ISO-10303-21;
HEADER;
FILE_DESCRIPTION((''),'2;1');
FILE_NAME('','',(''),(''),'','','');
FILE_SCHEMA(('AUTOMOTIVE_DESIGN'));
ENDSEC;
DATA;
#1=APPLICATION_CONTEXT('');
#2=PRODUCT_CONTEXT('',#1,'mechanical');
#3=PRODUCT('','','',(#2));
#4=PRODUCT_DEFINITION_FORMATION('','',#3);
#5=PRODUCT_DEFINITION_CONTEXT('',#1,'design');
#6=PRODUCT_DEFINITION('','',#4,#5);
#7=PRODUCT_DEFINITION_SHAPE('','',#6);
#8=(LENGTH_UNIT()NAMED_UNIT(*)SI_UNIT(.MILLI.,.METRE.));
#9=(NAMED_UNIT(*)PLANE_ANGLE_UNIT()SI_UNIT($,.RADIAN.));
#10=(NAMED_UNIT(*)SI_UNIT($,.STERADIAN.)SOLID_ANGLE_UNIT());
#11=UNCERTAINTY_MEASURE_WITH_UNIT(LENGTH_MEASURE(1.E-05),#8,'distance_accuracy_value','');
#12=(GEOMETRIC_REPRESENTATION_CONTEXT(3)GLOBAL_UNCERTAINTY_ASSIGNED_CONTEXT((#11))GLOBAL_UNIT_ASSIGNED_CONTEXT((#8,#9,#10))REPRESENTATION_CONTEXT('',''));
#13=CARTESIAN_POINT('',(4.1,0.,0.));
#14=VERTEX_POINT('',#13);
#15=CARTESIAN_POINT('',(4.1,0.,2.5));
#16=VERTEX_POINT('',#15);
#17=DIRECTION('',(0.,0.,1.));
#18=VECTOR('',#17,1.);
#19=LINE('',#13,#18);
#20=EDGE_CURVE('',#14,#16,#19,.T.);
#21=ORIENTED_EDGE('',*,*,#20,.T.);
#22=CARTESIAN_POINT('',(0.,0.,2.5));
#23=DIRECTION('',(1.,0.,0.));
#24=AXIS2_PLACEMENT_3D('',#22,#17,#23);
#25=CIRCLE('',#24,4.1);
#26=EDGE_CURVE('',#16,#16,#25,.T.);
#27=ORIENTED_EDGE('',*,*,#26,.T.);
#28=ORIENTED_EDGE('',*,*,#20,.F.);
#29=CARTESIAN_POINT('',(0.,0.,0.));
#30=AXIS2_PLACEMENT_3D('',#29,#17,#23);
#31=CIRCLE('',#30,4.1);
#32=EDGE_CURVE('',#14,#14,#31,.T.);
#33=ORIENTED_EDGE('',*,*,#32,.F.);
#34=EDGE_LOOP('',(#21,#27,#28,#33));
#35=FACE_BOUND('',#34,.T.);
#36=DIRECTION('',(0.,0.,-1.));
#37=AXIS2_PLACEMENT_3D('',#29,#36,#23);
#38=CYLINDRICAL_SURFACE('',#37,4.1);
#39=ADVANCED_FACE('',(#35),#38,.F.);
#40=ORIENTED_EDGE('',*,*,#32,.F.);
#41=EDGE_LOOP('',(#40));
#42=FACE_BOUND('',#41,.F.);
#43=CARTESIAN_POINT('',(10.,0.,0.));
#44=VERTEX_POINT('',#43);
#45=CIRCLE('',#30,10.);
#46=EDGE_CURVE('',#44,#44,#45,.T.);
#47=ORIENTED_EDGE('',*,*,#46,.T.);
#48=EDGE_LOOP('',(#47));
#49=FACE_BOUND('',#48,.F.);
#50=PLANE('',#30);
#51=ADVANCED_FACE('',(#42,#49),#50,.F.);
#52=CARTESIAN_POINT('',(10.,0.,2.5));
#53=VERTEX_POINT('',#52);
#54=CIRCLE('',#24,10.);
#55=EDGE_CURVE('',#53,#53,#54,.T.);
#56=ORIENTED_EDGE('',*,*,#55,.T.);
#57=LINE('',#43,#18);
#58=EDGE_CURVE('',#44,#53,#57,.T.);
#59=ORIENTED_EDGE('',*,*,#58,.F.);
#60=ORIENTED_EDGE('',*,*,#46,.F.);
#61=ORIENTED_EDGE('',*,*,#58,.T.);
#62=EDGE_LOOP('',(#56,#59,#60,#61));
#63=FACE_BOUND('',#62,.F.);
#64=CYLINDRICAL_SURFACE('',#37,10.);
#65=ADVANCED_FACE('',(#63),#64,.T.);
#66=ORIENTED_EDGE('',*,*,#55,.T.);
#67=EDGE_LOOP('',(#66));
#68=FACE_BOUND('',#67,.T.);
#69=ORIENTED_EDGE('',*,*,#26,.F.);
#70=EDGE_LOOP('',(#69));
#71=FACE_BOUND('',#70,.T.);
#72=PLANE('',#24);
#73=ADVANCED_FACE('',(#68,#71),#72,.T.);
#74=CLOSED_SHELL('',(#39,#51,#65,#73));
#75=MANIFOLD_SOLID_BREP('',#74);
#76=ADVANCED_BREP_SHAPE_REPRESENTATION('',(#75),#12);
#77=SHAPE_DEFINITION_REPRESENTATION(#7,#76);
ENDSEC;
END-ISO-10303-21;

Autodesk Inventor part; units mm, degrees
ref_plane "YZ Plane" through (0, 0, 0) normal (1, 0, 0) x (0, 1, 0)
ref_plane "XZ Plane" through (0, 0, 0) normal (0, 1, 0) x (-1, 0, 0)
ref_plane "XY Plane" through (0, 0, 0) normal (0, 0, 1) x (1, 0, 0)
sketch "スケッチ1" plane through (0, 0, 0) normal (0, 0, 1) x (1, 0, 0)
  circle A0 centre (0, 0) radius 10
  circle A1 centre (0, 0) radius 4.1
  dimension "d0" = 8.2
  dimension "d1" = 20
extrude "押し出し1" add sketch "スケッチ1" along normal blind 2.5
properties part number "RP_Calf-Link-cover-Simring2.5"
